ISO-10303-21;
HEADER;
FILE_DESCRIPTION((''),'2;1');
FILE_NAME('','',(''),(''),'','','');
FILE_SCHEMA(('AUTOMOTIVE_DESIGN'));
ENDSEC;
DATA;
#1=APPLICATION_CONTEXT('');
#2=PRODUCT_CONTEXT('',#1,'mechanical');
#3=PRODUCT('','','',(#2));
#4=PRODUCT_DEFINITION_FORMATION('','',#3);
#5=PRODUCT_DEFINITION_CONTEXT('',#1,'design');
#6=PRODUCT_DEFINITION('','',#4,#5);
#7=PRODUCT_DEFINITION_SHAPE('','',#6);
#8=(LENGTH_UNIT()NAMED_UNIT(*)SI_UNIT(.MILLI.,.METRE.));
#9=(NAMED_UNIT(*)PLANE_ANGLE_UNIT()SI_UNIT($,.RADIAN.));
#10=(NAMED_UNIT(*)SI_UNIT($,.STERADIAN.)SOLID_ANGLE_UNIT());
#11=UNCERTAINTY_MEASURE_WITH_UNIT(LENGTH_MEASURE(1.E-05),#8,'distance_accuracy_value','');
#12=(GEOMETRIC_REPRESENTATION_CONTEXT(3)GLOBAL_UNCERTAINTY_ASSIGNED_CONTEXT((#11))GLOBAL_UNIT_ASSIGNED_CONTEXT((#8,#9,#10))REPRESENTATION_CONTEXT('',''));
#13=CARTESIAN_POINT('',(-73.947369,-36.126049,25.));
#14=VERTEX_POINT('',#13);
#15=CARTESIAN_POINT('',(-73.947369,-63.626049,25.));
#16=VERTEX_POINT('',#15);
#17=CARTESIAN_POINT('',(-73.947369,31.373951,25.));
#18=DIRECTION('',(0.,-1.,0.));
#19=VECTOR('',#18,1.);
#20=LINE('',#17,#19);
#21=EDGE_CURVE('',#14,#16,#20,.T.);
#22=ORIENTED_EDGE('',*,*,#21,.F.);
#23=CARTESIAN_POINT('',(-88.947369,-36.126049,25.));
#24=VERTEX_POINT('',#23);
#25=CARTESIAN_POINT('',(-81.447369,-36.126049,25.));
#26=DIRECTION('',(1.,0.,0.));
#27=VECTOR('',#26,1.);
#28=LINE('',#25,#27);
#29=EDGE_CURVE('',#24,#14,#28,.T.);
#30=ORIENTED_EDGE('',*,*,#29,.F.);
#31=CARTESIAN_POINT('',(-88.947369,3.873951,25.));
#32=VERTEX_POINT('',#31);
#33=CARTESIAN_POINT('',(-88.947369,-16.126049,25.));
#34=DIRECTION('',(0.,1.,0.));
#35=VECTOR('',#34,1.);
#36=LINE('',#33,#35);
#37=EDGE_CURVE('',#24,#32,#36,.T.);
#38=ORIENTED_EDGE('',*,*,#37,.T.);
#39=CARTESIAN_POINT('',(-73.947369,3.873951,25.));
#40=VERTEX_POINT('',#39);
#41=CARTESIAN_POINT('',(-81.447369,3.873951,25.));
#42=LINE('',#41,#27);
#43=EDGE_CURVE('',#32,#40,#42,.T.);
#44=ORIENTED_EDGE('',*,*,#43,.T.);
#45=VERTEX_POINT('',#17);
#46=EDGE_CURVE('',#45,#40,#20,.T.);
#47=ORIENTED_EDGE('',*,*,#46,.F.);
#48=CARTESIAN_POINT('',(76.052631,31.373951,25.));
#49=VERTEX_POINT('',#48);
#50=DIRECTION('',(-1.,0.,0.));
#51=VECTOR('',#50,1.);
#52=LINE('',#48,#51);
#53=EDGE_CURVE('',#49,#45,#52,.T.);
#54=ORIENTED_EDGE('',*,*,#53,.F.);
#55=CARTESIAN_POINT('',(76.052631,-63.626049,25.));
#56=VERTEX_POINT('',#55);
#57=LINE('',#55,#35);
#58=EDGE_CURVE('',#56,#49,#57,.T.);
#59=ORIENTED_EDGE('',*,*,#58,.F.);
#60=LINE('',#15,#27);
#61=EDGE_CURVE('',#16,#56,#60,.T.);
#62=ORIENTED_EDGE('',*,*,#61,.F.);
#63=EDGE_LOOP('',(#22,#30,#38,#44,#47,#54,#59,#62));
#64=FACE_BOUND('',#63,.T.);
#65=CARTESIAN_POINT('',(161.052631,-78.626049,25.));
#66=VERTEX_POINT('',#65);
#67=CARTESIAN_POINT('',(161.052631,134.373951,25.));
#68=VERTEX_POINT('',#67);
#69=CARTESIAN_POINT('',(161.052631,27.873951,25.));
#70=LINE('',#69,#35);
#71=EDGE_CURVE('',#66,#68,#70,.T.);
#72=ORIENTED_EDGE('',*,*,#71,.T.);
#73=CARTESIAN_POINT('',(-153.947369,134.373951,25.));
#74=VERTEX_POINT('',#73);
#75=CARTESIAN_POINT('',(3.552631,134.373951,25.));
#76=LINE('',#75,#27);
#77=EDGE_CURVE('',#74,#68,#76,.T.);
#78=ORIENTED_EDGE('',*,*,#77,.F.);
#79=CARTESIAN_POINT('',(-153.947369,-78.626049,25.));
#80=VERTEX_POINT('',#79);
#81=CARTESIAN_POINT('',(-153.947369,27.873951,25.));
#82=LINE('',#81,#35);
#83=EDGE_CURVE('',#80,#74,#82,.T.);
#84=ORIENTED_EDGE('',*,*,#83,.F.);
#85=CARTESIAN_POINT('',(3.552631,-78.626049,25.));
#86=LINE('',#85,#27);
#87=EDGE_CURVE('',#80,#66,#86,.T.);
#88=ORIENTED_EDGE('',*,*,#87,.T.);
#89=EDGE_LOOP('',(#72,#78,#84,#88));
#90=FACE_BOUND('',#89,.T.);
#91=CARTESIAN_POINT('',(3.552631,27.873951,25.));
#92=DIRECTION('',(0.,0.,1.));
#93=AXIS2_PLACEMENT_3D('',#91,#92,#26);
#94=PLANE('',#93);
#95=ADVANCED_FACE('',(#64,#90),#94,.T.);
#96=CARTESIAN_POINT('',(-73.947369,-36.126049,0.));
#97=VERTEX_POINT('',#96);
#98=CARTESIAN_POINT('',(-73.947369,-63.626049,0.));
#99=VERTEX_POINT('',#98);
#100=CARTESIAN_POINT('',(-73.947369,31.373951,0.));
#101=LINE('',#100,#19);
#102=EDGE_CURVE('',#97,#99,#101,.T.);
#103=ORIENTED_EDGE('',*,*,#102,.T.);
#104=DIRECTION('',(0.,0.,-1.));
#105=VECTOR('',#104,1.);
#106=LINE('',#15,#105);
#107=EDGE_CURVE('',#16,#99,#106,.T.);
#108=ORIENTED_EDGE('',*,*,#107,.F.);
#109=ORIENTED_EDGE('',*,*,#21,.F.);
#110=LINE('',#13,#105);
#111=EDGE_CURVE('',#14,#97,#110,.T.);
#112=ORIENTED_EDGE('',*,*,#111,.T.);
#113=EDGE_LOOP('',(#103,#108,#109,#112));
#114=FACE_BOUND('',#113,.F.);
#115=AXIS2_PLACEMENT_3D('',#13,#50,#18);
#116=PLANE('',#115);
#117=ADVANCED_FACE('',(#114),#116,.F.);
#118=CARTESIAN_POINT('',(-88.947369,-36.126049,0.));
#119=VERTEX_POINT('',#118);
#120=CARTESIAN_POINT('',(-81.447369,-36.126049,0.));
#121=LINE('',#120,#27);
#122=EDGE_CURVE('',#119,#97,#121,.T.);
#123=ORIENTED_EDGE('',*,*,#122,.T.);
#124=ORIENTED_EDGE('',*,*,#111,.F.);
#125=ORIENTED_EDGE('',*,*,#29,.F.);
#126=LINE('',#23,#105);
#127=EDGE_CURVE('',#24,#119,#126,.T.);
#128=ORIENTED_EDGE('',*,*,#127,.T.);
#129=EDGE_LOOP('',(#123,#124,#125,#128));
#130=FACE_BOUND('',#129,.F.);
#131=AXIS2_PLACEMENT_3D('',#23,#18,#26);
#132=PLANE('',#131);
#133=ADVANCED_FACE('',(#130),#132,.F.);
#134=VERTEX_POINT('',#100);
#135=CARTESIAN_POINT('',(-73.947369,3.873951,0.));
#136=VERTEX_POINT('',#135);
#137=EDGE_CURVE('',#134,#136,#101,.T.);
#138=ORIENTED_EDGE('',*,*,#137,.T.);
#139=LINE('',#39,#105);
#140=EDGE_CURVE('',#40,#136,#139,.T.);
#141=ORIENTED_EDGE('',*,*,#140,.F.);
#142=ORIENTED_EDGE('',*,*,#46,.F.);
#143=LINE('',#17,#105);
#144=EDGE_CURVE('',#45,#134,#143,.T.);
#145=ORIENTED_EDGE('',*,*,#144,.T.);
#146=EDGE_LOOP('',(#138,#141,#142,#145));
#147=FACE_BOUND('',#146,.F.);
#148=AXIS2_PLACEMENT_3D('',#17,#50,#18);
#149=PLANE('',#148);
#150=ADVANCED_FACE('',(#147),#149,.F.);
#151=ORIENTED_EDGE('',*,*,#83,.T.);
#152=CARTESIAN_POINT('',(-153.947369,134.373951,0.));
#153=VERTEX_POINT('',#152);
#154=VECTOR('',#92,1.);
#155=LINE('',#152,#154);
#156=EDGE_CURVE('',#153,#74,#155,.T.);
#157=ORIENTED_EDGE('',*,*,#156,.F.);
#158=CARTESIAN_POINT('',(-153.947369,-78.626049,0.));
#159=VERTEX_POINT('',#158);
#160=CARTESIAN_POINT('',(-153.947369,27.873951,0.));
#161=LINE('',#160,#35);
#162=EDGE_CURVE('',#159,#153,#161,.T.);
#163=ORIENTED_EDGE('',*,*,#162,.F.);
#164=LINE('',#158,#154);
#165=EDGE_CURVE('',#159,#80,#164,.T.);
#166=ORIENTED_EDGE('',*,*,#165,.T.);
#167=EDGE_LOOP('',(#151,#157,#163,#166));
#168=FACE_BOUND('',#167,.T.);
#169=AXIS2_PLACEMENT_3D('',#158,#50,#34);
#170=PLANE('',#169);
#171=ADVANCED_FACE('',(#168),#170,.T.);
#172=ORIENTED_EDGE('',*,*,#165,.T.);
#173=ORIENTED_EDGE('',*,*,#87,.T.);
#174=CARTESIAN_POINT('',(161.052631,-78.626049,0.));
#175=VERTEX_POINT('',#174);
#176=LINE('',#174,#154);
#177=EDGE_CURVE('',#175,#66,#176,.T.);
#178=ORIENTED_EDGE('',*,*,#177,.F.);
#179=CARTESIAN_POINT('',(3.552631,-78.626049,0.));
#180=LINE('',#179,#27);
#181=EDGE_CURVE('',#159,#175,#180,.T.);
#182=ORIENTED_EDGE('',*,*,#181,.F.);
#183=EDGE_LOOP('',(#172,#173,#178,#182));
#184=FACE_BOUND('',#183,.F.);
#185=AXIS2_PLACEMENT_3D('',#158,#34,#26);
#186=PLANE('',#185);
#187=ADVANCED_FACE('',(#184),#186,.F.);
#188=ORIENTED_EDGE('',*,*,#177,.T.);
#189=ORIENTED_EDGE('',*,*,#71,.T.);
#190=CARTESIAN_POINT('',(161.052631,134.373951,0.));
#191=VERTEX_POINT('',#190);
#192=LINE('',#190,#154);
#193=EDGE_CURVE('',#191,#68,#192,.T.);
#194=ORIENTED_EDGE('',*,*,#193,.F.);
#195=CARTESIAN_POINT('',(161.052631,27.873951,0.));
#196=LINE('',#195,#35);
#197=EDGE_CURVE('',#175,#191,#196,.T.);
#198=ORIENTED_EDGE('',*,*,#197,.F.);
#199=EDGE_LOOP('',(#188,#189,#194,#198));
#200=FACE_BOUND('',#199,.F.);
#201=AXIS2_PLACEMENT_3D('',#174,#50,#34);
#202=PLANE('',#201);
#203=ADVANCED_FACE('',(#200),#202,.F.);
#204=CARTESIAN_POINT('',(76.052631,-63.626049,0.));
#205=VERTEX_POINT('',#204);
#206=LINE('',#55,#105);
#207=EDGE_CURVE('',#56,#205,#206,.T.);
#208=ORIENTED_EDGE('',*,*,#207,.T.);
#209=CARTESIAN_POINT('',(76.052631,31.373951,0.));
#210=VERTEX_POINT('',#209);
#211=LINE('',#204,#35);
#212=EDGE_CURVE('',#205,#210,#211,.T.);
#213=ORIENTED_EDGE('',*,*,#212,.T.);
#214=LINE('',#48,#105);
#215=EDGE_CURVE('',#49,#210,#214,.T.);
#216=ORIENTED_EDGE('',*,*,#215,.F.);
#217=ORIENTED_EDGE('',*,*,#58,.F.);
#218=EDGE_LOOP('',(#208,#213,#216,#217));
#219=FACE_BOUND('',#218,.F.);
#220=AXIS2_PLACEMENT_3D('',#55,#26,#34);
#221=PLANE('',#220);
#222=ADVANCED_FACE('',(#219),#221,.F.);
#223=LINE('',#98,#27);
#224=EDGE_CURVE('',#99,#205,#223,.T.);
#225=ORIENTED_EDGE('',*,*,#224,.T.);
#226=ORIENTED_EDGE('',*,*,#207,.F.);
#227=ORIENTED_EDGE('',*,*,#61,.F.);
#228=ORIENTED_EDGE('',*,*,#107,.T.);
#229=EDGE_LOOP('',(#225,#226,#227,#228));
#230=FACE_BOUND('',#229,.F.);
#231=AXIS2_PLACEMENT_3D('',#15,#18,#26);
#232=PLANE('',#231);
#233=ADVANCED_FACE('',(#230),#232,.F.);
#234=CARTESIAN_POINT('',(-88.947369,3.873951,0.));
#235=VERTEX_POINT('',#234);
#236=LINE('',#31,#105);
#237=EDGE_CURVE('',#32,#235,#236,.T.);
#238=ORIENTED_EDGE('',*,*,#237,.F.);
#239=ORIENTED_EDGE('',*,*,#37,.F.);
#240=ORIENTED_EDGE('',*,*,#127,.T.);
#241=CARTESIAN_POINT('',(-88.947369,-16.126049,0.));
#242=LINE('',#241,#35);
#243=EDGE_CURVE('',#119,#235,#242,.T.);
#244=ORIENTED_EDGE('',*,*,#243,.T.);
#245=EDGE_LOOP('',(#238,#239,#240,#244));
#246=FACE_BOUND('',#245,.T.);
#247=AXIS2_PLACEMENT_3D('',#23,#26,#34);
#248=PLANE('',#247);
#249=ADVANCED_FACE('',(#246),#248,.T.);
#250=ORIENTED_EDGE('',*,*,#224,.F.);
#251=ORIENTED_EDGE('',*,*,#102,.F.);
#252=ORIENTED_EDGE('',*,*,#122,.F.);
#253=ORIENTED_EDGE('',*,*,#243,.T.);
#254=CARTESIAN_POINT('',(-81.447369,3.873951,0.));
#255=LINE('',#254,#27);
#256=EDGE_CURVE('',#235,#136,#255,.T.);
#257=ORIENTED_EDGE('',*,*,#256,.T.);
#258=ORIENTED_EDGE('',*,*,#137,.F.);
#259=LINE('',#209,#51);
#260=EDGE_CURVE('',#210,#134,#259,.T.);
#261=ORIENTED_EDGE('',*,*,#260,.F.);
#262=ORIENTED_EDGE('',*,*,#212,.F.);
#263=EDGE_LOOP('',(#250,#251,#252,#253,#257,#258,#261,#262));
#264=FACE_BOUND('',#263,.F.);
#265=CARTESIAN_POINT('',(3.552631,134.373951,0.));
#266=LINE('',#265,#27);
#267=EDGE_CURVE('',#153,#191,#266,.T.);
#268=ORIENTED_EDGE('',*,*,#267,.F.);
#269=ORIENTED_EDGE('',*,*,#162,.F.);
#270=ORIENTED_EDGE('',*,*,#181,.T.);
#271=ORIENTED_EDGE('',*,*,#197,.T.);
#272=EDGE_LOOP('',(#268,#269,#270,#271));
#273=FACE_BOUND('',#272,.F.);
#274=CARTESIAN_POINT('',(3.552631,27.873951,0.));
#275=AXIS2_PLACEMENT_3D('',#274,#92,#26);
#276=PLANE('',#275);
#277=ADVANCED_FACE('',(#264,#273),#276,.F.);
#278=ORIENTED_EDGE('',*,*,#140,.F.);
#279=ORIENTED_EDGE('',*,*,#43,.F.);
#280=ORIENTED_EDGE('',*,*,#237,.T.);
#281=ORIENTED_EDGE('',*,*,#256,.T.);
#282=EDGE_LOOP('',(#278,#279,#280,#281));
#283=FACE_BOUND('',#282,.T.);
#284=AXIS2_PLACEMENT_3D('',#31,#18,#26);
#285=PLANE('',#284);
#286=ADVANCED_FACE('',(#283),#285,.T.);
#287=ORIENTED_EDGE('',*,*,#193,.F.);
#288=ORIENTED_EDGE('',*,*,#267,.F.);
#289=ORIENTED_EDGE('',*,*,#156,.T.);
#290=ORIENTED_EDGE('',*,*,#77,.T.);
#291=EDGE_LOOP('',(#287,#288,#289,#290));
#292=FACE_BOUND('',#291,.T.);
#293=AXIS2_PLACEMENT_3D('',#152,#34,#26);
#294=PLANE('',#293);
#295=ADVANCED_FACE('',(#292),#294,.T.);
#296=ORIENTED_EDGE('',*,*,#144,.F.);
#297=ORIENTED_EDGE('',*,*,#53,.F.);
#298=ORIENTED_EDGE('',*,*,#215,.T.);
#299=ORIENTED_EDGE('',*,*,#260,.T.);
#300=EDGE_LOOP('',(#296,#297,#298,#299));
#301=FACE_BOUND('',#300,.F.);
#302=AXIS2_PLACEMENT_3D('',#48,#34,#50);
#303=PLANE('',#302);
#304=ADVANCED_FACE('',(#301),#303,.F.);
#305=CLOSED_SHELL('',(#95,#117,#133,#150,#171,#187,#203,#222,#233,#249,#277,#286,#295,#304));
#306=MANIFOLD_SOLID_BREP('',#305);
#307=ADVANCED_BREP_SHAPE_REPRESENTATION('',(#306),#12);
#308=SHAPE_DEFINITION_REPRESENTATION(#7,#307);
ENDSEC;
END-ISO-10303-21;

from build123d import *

# Parameters (mm, degrees)
F0_W     = 315
F0_H     = 213
F1_DEPTH = 25
F2_W     = 15
F2_H     = 40
F3_DEPTH = 25


with BuildPart() as f1:
    # F0 (on Top) → F1 (new body)
    with BuildSketch(Plane.XY):
        with Locations((3.552631, 27.873951)):
            Rectangle(F0_W, F0_H)
    extrude(amount=F1_DEPTH)

    # F2 (on face) → F3 (cut)
    with BuildSketch(Plane.XY.offset(25)):
        Polygon((76.052631, 31.373951), (-73.947369, 31.373951), (-73.947369, 3.873951), (-73.947369, -36.126049), (-73.947369, -63.626049), (76.052631, -63.626049), align=None)
        with Locations((-81.447369, -16.126049)):
            Rectangle(F2_W, F2_H)
    extrude(amount=-F3_DEPTH, mode=Mode.SUBTRACT)


solid = f1.part
